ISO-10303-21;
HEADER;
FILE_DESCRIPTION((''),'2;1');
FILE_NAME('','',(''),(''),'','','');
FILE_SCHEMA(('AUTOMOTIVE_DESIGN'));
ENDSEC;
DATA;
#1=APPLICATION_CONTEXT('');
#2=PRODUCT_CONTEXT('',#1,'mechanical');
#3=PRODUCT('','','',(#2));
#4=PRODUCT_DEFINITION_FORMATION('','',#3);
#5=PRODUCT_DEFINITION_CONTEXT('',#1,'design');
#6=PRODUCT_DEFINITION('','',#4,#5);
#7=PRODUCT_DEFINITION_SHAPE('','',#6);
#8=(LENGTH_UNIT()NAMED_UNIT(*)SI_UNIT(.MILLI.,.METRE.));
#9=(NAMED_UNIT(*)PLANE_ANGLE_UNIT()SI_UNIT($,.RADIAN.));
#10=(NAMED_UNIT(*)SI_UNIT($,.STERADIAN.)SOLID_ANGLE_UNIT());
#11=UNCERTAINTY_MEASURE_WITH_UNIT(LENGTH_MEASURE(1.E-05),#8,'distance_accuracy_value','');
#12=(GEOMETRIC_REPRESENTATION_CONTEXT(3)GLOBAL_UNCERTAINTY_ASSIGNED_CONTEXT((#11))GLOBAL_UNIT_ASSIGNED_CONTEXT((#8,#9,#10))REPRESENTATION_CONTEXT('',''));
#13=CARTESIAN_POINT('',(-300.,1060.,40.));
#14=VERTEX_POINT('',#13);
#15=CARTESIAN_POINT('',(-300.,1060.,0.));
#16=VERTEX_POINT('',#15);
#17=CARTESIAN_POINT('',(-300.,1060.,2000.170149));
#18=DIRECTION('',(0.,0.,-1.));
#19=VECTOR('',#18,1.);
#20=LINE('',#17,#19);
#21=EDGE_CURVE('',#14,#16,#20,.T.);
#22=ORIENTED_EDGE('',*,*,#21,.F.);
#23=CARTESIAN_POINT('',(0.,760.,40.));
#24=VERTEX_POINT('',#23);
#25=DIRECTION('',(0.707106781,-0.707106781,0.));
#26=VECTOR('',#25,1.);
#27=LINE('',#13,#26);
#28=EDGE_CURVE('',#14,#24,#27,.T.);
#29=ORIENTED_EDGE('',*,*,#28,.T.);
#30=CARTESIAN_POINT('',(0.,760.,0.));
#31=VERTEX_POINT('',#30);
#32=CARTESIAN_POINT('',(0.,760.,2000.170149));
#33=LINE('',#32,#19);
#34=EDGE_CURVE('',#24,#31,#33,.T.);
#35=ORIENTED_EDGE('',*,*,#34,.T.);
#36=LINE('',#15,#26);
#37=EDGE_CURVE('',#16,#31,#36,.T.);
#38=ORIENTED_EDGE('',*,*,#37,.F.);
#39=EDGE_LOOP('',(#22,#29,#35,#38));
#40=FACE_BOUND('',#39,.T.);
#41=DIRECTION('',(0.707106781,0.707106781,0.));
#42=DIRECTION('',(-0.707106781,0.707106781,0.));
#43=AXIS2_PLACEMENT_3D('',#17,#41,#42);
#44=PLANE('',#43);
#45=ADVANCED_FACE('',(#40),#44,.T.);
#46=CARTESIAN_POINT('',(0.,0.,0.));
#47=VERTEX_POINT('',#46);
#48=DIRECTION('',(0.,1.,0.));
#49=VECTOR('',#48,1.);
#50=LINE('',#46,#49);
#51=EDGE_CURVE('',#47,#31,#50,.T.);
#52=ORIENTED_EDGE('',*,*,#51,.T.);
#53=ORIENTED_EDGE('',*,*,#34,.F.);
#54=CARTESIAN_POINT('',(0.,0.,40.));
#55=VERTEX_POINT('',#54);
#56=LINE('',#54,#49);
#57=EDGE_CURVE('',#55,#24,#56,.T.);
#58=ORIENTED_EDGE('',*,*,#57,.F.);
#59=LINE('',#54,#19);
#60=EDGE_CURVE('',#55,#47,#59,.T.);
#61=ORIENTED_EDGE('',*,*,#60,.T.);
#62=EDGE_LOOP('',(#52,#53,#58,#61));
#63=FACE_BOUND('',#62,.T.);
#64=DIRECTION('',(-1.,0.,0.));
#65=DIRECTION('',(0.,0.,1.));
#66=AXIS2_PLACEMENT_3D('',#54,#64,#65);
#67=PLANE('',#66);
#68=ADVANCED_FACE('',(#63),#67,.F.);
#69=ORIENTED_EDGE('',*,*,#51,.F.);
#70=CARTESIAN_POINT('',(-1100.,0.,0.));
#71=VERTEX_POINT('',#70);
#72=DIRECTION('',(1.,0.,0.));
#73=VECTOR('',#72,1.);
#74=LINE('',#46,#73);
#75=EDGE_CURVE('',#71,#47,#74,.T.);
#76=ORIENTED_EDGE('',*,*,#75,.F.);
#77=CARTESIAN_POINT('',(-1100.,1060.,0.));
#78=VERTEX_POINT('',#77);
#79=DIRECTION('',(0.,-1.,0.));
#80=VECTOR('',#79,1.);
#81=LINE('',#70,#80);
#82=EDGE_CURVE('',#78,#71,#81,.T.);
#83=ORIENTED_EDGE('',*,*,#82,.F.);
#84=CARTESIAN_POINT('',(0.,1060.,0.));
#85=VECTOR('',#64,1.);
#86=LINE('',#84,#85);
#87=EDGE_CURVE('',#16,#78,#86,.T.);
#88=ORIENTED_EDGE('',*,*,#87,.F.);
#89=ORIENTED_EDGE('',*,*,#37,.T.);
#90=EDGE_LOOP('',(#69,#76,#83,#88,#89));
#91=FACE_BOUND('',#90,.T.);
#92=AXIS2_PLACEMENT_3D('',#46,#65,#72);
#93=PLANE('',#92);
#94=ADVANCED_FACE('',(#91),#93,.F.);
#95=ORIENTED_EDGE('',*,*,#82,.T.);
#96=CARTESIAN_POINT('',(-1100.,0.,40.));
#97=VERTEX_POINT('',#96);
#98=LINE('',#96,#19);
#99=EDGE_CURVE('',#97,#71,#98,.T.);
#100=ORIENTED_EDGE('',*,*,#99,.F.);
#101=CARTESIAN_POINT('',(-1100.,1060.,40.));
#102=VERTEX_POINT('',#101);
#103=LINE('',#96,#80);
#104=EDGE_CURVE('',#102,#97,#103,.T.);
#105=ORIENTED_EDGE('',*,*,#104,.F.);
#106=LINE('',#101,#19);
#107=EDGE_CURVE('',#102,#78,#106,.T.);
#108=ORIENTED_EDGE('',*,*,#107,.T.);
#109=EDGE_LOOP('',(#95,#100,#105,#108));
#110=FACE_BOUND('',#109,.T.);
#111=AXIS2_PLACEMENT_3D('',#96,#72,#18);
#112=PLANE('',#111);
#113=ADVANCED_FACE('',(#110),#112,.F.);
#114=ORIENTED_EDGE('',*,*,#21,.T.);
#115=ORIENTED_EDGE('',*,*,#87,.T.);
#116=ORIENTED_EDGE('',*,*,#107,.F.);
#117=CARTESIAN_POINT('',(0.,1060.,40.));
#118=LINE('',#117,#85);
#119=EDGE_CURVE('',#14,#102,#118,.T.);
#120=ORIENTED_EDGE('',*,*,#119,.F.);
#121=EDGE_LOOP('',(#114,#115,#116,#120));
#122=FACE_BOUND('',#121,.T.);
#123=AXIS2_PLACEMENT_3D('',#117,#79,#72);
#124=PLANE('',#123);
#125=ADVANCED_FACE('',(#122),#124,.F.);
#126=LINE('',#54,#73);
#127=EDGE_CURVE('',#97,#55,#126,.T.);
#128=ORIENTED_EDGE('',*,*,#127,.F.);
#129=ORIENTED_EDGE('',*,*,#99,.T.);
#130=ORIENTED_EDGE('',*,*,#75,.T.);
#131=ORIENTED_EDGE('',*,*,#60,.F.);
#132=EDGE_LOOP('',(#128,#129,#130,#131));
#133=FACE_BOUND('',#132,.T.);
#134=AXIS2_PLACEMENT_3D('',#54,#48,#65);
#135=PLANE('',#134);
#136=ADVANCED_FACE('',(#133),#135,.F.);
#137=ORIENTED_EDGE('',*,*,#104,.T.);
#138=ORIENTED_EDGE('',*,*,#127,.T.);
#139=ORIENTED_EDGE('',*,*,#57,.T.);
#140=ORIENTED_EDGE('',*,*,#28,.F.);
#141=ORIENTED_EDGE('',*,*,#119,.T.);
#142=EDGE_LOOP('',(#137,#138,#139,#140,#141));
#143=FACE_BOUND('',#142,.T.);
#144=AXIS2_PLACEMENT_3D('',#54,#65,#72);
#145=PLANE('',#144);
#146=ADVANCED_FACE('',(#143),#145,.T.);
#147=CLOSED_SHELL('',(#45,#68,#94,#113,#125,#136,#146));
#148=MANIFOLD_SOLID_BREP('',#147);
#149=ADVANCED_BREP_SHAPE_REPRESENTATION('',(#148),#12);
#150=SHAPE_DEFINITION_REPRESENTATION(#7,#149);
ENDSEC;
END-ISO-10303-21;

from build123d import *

# Parameters (mm, degrees)
SKETCH1_W               = 1100
SKETCH1_H               = 1060
BOSS_EXTRUDE1_DEPTH     = 40
CUT_EXTRUDE1_DEPTH      = 1529.136119591
CUT_EXTRUDE1_DEPTH_BACK = 40


with BuildPart() as part:
    # Sketch1 → Boss-Extrude1 (new body)
    with BuildSketch(Plane.XY):
        with Locations((-550, 530)):
            Rectangle(SKETCH1_W, SKETCH1_H)
    extrude(amount=BOSS_EXTRUDE1_DEPTH)

    # Sketch2 → Cut-Extrude1 (cut, two sides: drawn at the far end of the back side and taken through both)
    with BuildSketch(Plane.XY.offset(40).offset(-CUT_EXTRUDE1_DEPTH_BACK)):
        Polygon((-2197.89099578, 2957.89099578), (-300, 1060), (0, 760), (1897.89099578, -1137.89099578), (5693.672987339, 2657.89099578), (1597.89099578, 6753.672987339), align=None)
    extrude(amount=CUT_EXTRUDE1_DEPTH + CUT_EXTRUDE1_DEPTH_BACK, mode=Mode.SUBTRACT)


solid = part.part
